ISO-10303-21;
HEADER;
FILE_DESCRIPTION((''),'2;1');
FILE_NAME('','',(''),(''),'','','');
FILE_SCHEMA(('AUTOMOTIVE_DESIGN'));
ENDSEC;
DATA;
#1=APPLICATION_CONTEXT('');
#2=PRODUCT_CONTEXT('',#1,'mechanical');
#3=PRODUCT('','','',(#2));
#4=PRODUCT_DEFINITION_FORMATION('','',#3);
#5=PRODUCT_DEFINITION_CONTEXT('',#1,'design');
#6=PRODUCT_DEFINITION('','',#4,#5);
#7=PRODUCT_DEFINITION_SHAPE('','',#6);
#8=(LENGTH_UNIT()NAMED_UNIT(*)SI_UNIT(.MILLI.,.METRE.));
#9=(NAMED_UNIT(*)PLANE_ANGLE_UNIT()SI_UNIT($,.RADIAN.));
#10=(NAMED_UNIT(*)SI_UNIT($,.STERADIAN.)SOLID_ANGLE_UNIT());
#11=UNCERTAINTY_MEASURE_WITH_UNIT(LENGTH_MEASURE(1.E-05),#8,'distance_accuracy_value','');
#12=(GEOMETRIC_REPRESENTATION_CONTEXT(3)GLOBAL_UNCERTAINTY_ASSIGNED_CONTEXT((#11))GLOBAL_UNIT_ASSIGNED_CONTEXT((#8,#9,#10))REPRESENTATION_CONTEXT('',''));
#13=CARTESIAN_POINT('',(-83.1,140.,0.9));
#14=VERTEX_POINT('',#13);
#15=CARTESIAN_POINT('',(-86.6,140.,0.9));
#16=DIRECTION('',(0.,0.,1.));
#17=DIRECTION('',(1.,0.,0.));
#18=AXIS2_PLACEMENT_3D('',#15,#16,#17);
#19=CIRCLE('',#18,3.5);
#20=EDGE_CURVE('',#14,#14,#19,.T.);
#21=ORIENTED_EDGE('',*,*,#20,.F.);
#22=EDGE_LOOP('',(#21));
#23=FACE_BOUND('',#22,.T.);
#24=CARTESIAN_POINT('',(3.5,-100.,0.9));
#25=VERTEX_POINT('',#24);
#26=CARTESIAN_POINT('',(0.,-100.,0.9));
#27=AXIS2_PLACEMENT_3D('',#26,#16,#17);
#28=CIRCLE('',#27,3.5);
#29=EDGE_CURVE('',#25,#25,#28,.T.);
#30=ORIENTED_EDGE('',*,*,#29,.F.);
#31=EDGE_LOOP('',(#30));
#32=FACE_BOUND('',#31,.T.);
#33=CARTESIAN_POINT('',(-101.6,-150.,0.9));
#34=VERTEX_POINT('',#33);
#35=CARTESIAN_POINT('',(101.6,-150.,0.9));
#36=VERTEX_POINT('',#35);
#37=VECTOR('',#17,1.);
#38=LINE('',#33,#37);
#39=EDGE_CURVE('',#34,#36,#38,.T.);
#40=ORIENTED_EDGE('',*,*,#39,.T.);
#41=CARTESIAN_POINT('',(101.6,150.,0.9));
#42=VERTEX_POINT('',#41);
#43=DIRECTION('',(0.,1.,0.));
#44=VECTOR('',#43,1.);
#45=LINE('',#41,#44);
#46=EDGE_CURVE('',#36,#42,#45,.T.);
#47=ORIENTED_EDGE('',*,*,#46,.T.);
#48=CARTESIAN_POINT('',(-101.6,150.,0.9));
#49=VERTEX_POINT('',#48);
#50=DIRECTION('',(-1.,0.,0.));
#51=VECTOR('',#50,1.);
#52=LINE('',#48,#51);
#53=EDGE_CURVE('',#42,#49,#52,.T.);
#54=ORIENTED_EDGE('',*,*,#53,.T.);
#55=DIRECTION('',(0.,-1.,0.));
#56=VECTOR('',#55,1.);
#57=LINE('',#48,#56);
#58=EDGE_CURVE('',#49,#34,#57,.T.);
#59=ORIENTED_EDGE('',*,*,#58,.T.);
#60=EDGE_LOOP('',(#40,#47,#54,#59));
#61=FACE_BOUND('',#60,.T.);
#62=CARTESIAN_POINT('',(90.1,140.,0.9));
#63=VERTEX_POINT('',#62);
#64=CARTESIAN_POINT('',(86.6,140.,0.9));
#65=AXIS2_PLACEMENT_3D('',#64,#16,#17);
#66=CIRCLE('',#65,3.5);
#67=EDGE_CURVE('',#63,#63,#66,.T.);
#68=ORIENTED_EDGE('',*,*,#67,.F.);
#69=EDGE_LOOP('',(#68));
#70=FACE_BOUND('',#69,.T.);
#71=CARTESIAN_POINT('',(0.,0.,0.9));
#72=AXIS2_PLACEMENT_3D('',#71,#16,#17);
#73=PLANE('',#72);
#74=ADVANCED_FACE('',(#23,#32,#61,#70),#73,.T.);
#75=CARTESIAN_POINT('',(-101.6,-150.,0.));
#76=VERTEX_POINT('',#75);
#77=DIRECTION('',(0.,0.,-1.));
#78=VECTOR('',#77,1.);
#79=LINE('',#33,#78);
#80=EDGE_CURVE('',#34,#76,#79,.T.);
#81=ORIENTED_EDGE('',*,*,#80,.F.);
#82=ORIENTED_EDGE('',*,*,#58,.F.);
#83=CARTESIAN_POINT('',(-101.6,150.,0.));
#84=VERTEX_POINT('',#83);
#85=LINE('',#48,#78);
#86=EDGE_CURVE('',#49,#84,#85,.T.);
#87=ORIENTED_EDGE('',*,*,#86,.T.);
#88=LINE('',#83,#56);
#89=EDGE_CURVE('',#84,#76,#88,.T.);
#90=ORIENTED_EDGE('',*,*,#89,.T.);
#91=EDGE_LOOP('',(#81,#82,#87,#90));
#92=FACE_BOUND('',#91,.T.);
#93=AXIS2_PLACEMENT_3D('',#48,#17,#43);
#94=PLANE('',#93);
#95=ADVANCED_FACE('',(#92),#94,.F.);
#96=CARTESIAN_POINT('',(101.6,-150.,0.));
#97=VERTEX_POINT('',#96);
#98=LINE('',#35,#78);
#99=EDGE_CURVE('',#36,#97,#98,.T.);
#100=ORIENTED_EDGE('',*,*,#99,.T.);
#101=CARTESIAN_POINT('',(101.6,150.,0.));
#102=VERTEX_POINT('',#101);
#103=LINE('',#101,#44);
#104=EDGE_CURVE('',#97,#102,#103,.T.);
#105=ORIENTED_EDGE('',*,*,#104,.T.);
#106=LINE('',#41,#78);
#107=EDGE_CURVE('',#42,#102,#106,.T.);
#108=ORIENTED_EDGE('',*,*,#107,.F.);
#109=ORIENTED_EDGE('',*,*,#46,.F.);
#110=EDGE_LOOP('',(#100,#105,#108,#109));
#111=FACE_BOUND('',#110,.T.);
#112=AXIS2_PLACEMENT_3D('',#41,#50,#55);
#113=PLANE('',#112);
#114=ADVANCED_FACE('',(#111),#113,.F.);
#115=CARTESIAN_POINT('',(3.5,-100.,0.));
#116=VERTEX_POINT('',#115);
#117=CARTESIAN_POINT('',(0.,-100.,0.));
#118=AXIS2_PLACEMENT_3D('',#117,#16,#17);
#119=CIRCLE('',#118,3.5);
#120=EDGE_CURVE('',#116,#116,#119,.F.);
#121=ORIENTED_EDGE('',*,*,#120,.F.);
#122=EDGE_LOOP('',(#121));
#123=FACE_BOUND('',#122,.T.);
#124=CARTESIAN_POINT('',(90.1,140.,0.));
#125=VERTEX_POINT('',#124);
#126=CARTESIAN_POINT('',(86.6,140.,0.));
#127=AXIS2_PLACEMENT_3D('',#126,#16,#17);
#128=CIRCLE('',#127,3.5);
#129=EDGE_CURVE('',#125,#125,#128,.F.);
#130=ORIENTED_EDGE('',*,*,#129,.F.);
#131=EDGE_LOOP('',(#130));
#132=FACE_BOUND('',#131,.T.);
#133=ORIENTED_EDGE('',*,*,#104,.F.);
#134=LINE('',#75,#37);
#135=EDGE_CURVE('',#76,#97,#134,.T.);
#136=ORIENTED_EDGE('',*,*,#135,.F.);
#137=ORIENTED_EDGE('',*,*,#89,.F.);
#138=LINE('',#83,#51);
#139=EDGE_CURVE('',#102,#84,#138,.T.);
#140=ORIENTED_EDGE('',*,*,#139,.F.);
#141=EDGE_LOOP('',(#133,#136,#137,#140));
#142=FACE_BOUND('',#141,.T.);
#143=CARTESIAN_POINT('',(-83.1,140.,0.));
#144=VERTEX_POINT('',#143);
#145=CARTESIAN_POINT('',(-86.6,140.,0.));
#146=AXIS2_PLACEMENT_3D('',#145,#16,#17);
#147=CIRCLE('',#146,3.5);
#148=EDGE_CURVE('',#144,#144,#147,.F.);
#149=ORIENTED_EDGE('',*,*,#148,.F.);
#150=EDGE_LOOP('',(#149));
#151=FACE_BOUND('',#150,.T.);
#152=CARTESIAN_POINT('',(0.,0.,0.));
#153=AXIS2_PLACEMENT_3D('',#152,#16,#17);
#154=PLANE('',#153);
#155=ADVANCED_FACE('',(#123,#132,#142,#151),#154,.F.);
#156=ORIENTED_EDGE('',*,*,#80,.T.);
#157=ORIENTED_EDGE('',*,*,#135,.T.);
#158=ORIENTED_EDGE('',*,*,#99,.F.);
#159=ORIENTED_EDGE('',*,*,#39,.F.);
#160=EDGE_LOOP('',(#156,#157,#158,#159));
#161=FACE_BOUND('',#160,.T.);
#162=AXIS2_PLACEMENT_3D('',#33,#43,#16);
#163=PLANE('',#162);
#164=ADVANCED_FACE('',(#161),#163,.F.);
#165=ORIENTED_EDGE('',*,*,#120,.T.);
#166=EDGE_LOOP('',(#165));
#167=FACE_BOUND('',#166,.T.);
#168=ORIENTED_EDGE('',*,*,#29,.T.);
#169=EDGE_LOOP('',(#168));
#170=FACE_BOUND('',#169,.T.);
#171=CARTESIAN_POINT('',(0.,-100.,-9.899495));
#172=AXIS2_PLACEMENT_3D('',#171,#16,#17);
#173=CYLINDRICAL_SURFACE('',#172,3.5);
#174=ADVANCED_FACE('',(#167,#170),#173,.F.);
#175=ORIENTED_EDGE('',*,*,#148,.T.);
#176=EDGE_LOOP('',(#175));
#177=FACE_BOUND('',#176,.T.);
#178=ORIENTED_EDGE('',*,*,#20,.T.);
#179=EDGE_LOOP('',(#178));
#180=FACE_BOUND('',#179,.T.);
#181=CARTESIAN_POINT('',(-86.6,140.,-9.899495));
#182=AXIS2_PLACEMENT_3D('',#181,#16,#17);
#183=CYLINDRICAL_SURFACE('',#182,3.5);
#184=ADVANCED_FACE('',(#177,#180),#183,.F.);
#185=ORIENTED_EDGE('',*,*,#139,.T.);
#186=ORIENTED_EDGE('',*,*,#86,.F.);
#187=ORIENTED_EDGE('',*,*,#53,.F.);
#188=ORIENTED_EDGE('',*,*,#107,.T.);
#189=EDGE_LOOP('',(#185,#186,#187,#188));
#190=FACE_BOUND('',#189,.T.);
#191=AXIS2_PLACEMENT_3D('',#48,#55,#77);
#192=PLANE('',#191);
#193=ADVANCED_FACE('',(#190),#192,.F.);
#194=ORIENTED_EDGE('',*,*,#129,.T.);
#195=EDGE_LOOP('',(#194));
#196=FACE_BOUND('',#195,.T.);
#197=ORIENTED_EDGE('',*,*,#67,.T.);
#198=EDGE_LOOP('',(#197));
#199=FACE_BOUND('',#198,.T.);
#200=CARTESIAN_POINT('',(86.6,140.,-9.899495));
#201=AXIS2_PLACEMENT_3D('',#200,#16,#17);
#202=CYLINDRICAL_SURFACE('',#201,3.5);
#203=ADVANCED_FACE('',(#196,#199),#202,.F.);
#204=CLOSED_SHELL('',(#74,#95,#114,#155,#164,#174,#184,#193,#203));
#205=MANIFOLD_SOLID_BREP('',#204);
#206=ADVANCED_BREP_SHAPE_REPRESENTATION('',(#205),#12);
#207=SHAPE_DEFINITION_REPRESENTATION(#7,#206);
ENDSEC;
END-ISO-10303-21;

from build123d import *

# Parameters (mm, degrees)
SKETCH_1_W         = 203.2
SKETCH_1_H         = 300
EXTRUDE_1_DEPTH    = 0.9
SKETCH_2_R         = 3.5
CUT_EXTRUDE1_DEPTH = 0.9


with BuildPart() as part:
    # 草图1 → 凸台-拉伸1 (new body)
    with BuildSketch(Plane.XY):
        Rectangle(SKETCH_1_W, SKETCH_1_H)
    extrude(amount=EXTRUDE_1_DEPTH)

    # 草图2 → Cut-Extrude1 (cut)
    with BuildSketch(Plane.XY.offset(0.9)):
        with Locations((-86.6, 140)):
            Circle(SKETCH_2_R)
        with Locations((86.6, 140)):
            Circle(SKETCH_2_R)
        with Locations((0, -100)):
            Circle(SKETCH_2_R)
    extrude(amount=-CUT_EXTRUDE1_DEPTH, mode=Mode.SUBTRACT)


solid = part.part
